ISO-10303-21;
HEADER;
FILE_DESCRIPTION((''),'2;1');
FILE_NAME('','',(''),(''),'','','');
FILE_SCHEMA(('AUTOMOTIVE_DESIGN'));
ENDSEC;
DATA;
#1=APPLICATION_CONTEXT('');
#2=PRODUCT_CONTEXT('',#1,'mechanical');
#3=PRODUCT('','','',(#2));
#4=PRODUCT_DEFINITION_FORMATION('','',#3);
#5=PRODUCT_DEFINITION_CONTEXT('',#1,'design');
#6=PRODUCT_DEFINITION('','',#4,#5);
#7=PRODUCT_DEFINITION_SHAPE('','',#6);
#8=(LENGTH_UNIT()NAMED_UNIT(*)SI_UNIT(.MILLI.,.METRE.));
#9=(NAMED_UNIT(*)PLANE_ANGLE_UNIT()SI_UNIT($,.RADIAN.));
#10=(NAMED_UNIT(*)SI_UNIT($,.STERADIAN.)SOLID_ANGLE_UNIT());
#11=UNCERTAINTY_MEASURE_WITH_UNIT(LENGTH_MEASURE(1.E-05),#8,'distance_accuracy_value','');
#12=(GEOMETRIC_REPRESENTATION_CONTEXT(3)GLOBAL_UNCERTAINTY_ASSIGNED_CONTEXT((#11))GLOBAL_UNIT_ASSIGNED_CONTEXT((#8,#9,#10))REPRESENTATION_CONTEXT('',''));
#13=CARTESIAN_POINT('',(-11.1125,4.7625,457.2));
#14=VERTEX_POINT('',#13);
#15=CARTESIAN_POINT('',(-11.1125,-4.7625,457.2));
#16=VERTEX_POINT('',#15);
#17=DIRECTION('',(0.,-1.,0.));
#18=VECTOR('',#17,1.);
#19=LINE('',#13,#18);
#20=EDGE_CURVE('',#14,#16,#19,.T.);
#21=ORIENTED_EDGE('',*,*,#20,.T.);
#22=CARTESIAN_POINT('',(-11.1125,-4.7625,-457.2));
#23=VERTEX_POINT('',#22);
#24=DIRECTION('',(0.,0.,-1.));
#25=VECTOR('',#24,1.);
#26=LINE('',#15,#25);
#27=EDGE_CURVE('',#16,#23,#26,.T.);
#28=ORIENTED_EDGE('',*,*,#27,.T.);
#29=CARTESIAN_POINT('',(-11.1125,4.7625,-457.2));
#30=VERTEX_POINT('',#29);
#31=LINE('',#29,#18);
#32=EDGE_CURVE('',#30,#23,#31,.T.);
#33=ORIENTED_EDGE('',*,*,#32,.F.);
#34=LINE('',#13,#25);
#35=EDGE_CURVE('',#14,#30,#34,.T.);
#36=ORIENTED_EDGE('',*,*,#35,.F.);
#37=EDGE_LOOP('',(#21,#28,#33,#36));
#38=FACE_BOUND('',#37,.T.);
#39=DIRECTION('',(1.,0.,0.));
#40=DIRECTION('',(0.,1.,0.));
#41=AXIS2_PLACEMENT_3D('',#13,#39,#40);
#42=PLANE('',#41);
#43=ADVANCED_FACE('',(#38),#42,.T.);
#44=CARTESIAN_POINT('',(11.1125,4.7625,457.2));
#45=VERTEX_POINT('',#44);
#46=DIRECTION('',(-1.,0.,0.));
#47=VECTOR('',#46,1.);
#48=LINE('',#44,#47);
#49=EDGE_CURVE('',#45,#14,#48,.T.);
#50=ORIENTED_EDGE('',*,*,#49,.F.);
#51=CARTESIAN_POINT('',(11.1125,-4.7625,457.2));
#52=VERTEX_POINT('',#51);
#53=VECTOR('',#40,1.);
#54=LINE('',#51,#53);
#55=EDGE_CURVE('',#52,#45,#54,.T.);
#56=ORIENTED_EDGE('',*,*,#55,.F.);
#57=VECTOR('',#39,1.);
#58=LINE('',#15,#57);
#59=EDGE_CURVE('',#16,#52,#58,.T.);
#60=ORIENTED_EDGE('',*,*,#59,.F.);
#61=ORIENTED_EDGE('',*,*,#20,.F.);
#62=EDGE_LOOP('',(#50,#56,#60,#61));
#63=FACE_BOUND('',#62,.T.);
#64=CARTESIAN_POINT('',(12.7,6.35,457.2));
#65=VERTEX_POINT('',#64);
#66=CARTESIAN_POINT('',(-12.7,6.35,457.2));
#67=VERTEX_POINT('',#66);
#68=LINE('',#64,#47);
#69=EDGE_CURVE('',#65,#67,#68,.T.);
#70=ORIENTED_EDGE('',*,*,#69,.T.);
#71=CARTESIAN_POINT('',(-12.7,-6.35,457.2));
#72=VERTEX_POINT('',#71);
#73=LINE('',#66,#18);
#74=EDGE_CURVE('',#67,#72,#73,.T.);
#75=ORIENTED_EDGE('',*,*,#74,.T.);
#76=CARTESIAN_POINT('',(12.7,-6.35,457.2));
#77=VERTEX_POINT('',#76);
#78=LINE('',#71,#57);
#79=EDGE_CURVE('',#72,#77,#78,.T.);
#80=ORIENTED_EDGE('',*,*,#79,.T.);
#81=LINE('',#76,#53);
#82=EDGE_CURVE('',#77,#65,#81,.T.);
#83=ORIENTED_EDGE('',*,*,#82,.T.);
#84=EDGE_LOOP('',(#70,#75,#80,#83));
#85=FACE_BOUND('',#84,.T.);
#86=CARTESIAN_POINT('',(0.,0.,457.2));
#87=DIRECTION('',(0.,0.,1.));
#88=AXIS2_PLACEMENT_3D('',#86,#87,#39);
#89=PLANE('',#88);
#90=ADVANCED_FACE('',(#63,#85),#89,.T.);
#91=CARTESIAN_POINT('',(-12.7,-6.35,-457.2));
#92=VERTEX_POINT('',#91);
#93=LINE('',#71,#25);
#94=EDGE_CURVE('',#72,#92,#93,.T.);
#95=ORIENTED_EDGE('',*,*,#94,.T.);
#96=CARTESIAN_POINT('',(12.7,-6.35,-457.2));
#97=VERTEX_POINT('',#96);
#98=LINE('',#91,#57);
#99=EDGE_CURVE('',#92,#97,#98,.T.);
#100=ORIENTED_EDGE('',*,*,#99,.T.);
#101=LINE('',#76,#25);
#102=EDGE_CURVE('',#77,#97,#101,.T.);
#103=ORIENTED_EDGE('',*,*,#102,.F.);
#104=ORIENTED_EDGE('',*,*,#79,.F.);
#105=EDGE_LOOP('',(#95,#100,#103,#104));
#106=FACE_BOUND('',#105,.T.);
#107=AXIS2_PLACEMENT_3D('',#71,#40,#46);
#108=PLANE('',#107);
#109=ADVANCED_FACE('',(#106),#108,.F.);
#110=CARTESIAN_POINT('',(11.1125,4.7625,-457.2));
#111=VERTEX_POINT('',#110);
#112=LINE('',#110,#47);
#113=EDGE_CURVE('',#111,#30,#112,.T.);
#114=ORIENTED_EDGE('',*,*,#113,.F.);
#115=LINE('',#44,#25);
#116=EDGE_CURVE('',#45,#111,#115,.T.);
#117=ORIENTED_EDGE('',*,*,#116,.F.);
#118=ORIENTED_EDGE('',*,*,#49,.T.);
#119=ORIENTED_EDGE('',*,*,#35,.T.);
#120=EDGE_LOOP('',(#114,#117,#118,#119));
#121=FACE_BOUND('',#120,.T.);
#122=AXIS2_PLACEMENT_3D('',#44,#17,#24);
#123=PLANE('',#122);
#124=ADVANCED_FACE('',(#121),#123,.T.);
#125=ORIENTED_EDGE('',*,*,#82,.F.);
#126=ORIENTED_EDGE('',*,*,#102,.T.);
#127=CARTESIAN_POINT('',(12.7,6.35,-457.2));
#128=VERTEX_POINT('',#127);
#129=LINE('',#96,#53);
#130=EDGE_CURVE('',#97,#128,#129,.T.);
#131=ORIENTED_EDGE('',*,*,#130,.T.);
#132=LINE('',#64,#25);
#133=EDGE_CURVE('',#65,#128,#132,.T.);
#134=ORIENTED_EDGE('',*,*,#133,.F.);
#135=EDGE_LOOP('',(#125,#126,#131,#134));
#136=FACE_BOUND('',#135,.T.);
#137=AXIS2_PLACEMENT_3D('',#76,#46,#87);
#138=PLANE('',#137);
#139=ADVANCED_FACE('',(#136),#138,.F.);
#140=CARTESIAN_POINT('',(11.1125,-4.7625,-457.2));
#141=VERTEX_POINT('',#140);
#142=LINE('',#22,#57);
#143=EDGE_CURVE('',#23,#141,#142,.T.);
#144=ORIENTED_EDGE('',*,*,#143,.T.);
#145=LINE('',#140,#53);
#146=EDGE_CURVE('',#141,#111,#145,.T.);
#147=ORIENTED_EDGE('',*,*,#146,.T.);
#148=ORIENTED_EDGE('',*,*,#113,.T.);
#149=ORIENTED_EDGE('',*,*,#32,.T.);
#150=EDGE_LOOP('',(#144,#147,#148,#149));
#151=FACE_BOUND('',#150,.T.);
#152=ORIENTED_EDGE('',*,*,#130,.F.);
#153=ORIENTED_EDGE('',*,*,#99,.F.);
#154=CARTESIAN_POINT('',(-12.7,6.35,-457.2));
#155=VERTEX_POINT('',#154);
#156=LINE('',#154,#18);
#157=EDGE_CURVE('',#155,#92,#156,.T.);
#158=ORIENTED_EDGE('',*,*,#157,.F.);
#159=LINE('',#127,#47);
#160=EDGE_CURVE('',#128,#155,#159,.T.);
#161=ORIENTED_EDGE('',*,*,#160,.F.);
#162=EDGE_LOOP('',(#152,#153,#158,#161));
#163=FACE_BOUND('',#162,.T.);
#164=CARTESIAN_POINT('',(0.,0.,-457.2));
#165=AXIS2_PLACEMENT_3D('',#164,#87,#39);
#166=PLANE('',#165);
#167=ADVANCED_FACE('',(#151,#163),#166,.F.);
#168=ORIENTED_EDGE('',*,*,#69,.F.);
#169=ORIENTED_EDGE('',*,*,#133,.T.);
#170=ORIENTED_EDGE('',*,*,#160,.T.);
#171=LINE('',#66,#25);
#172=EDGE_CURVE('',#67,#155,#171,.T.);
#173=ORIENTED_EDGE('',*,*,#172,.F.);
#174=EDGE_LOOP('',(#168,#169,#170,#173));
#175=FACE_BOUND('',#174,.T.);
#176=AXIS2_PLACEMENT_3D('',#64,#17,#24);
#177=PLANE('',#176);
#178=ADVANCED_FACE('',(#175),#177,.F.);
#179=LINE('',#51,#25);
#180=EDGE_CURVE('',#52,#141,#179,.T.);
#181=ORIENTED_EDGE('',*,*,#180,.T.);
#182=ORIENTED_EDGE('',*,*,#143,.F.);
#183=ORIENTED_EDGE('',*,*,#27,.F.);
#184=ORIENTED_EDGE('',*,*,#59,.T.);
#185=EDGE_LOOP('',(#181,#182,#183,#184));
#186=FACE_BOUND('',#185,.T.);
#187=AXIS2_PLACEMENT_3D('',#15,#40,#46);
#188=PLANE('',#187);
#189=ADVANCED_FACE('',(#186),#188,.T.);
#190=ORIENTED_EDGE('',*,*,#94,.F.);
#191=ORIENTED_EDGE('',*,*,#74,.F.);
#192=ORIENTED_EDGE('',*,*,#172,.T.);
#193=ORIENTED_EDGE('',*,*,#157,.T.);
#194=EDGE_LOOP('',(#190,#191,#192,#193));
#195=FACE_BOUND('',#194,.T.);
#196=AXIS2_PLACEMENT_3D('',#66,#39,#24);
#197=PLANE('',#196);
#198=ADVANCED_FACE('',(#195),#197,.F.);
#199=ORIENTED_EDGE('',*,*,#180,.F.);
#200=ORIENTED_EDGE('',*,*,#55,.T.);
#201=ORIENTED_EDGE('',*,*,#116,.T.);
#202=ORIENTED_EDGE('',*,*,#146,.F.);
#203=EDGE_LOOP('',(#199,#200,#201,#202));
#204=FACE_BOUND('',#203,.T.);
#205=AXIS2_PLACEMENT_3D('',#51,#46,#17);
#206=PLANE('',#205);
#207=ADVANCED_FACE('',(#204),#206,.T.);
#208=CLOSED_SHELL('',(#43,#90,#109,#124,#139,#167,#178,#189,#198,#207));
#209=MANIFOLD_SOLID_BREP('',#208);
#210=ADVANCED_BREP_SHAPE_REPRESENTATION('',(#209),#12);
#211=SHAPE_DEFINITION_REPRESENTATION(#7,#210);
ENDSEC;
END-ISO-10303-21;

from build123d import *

# Parameters (mm, degrees)
BOSS_EXTRUDE1_DEPTH      = 457.2
BOSS_EXTRUDE1_DEPTH_BACK = 457.2
SKETCH3_W                = 25.4
SKETCH3_H                = 12.7
SKETCH3_W_2              = 22.225
SKETCH3_H_2              = 9.525


with BuildPart() as part:
    # Sketch3 → Boss-Extrude1 (new, two sides: drawn at the far end of the back side and taken through both)
    with BuildSketch(Plane.XY.offset(-BOSS_EXTRUDE1_DEPTH_BACK)):
        Rectangle(SKETCH3_W, SKETCH3_H)
        Rectangle(SKETCH3_W_2, SKETCH3_H_2, mode=Mode.SUBTRACT)
    extrude(amount=BOSS_EXTRUDE1_DEPTH + BOSS_EXTRUDE1_DEPTH_BACK)


solid = part.part
